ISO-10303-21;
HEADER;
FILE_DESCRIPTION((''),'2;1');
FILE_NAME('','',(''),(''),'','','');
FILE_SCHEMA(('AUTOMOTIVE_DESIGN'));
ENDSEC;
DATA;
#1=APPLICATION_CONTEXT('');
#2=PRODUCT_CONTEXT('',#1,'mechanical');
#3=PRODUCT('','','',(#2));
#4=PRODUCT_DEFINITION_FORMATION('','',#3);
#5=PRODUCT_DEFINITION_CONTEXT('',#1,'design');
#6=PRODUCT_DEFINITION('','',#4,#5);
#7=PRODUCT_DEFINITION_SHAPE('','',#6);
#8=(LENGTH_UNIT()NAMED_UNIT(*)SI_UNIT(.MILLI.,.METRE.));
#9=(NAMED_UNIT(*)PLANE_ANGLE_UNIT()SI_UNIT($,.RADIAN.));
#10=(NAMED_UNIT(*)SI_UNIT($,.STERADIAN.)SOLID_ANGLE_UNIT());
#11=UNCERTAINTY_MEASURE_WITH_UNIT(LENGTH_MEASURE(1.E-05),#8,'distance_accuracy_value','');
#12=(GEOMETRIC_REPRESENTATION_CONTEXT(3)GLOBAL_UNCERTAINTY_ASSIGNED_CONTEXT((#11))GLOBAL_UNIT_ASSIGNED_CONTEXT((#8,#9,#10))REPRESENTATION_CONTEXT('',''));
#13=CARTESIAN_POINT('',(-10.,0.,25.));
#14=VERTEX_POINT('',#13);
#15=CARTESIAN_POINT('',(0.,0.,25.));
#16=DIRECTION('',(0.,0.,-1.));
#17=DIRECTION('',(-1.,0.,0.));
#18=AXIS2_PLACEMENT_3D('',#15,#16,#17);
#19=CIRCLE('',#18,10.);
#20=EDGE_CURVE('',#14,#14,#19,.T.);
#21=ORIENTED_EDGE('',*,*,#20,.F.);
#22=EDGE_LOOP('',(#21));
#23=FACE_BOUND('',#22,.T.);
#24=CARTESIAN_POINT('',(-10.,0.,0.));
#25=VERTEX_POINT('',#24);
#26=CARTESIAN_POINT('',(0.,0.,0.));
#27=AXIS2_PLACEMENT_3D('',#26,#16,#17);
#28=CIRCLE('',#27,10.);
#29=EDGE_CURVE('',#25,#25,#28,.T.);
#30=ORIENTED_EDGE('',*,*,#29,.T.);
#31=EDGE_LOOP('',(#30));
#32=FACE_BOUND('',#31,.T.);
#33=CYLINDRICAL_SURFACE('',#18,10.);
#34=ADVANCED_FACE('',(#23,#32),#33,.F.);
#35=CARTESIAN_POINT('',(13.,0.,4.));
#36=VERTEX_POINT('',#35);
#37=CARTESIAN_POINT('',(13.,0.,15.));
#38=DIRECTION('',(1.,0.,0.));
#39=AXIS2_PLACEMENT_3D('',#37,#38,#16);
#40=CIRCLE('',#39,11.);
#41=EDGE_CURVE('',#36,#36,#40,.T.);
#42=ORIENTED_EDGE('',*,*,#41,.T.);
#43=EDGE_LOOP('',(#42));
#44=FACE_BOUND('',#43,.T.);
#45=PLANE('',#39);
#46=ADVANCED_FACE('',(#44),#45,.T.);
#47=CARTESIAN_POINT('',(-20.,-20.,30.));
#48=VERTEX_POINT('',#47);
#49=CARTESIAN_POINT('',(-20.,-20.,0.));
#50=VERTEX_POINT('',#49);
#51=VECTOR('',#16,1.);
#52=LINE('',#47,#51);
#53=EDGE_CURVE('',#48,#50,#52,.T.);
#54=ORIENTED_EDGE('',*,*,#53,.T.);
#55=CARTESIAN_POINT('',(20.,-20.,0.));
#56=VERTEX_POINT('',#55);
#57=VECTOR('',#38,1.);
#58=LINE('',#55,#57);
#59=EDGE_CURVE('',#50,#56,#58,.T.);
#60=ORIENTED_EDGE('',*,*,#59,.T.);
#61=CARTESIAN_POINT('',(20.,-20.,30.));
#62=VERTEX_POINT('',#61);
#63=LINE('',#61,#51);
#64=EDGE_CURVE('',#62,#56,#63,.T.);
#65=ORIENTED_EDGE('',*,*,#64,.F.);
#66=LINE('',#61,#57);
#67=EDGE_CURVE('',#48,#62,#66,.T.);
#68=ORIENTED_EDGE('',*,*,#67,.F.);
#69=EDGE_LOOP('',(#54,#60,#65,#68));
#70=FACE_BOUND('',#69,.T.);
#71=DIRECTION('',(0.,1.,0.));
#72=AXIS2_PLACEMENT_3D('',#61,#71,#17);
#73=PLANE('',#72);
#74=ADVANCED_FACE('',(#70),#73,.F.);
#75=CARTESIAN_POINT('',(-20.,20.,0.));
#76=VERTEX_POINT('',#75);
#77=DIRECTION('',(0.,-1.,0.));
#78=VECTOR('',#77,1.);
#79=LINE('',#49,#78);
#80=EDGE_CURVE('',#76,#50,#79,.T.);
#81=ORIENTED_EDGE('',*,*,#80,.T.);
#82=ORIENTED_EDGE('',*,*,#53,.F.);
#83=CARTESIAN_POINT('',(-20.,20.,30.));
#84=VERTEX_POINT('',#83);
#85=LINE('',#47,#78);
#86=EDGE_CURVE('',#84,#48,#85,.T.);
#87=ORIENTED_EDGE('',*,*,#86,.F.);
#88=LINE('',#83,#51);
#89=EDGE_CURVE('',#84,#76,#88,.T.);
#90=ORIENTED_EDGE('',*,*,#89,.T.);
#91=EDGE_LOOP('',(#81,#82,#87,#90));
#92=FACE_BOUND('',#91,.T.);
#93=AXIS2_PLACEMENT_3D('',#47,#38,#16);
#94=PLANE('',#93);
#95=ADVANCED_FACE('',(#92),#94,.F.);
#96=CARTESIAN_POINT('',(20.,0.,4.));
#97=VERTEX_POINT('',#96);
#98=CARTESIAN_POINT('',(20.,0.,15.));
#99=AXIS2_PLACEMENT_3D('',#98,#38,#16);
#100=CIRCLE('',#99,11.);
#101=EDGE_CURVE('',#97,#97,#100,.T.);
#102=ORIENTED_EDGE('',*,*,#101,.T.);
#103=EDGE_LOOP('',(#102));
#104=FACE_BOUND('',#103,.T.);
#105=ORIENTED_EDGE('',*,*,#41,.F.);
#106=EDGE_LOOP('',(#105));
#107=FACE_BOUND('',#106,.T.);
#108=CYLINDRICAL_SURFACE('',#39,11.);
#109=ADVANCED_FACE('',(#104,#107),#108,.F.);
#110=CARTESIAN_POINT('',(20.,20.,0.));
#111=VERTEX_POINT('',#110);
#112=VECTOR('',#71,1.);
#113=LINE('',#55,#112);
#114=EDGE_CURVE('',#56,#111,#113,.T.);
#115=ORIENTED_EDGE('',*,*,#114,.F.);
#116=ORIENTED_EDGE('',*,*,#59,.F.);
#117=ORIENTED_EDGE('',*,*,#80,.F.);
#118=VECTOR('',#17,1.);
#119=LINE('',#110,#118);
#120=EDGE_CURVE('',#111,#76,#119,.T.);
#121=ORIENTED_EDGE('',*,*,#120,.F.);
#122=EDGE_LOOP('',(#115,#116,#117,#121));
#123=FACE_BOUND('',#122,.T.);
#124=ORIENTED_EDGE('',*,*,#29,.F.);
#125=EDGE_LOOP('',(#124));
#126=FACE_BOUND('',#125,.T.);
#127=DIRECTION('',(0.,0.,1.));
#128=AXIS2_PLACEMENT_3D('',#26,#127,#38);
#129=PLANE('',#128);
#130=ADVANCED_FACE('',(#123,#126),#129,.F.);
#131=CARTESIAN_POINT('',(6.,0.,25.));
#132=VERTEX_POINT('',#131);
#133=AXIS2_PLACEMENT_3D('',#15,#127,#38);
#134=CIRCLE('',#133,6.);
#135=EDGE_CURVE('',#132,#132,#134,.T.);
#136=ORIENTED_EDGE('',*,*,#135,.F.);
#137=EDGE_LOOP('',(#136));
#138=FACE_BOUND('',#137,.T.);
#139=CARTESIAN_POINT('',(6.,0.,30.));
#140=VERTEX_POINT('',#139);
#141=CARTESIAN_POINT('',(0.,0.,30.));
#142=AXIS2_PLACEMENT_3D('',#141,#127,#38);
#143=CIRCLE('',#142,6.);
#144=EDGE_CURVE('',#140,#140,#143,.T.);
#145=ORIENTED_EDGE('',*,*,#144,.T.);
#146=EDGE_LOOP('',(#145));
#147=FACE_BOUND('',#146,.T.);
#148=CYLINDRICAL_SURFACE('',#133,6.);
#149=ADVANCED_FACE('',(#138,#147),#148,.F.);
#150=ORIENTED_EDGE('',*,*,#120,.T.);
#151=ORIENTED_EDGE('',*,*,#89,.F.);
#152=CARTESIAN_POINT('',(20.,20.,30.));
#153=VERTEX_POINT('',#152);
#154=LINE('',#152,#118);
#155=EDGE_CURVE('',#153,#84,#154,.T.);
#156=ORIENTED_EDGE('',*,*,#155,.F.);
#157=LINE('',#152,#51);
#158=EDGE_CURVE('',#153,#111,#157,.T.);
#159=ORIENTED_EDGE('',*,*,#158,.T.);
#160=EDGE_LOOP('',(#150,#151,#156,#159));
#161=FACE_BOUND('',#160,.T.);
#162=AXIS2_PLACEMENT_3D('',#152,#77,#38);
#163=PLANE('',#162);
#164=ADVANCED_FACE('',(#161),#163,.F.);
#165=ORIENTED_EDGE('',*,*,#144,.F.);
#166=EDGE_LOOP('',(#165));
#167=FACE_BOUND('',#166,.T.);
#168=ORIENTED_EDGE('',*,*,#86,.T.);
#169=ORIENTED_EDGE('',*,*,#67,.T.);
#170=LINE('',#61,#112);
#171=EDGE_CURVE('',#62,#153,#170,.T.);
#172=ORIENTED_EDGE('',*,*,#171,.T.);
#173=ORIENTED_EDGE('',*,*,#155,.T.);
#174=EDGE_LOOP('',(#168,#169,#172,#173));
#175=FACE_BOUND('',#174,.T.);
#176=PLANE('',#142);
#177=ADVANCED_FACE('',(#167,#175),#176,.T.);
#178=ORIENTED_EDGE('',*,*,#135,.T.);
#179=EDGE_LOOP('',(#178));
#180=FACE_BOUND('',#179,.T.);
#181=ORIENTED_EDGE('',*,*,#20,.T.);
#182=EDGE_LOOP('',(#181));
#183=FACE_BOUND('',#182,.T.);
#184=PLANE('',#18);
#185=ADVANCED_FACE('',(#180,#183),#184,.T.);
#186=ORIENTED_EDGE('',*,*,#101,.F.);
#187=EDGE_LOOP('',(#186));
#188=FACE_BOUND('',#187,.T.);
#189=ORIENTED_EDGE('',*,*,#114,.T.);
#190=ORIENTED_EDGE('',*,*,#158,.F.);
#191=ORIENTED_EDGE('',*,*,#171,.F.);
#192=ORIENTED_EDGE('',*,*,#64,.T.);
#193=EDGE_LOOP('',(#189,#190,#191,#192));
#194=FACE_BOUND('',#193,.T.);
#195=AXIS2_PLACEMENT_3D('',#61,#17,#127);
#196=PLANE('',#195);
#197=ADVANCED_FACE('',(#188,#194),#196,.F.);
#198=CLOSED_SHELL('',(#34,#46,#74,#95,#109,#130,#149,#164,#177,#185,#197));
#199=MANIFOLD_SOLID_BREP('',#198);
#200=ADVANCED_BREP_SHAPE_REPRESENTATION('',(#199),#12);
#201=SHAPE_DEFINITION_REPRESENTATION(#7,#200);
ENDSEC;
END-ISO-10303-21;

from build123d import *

# Parameters (mm, degrees)
SKETCH2_W           = 40
SKETCH2_H           = 40
BOSS_EXTRUDE1_DEPTH = 30
SKETCH6_W           = 26
SKETCH6_H           = 26
BOSS_EXTRUDE2_DEPTH = 40
SKETCH7_R           = 11
CUT_EXTRUDE3_DEPTH  = 7
SKETCH3_R           = 6
CUT_EXTRUDE4_DEPTH  = 5
SKETCH4_R           = 10
CUT_EXTRUDE5_DEPTH  = 25


with BuildPart() as part:
    # Sketch2 → Boss-Extrude1 (new body)
    with BuildSketch(Plane.XY):
        Rectangle(SKETCH2_W, SKETCH2_H)
    extrude(amount=BOSS_EXTRUDE1_DEPTH)

    # Sketch6 → Boss-Extrude2 (add)
    with BuildSketch(Plane(origin=(20, 0, 0), x_dir=(0, 0, -1), z_dir=(1, 0, 0))):
        with Locations((-15, 0)):
            Rectangle(SKETCH6_W, SKETCH6_H)
    extrude(amount=-BOSS_EXTRUDE2_DEPTH)

    # Sketch7 → Cut-Extrude3 (cut)
    with BuildSketch(Plane(origin=(20, 0, 0), x_dir=(0, 0, -1), z_dir=(1, 0, 0))):
        with Locations((-15, 0)):
            Circle(SKETCH7_R)
    extrude(amount=-CUT_EXTRUDE3_DEPTH, mode=Mode.SUBTRACT)

    # Sketch3 → Cut-Extrude4 (cut)
    with BuildSketch(Plane.XY.offset(30)):
        Circle(SKETCH3_R)
    extrude(amount=-CUT_EXTRUDE4_DEPTH, mode=Mode.SUBTRACT)

    # Sketch4 → Cut-Extrude5 (cut)
    with BuildSketch(Plane(origin=(0, 0, 0), x_dir=(-1, 0, 0), z_dir=(0, 0, -1))):
        Circle(SKETCH4_R)
    extrude(amount=-CUT_EXTRUDE5_DEPTH, mode=Mode.SUBTRACT)


solid = part.part
